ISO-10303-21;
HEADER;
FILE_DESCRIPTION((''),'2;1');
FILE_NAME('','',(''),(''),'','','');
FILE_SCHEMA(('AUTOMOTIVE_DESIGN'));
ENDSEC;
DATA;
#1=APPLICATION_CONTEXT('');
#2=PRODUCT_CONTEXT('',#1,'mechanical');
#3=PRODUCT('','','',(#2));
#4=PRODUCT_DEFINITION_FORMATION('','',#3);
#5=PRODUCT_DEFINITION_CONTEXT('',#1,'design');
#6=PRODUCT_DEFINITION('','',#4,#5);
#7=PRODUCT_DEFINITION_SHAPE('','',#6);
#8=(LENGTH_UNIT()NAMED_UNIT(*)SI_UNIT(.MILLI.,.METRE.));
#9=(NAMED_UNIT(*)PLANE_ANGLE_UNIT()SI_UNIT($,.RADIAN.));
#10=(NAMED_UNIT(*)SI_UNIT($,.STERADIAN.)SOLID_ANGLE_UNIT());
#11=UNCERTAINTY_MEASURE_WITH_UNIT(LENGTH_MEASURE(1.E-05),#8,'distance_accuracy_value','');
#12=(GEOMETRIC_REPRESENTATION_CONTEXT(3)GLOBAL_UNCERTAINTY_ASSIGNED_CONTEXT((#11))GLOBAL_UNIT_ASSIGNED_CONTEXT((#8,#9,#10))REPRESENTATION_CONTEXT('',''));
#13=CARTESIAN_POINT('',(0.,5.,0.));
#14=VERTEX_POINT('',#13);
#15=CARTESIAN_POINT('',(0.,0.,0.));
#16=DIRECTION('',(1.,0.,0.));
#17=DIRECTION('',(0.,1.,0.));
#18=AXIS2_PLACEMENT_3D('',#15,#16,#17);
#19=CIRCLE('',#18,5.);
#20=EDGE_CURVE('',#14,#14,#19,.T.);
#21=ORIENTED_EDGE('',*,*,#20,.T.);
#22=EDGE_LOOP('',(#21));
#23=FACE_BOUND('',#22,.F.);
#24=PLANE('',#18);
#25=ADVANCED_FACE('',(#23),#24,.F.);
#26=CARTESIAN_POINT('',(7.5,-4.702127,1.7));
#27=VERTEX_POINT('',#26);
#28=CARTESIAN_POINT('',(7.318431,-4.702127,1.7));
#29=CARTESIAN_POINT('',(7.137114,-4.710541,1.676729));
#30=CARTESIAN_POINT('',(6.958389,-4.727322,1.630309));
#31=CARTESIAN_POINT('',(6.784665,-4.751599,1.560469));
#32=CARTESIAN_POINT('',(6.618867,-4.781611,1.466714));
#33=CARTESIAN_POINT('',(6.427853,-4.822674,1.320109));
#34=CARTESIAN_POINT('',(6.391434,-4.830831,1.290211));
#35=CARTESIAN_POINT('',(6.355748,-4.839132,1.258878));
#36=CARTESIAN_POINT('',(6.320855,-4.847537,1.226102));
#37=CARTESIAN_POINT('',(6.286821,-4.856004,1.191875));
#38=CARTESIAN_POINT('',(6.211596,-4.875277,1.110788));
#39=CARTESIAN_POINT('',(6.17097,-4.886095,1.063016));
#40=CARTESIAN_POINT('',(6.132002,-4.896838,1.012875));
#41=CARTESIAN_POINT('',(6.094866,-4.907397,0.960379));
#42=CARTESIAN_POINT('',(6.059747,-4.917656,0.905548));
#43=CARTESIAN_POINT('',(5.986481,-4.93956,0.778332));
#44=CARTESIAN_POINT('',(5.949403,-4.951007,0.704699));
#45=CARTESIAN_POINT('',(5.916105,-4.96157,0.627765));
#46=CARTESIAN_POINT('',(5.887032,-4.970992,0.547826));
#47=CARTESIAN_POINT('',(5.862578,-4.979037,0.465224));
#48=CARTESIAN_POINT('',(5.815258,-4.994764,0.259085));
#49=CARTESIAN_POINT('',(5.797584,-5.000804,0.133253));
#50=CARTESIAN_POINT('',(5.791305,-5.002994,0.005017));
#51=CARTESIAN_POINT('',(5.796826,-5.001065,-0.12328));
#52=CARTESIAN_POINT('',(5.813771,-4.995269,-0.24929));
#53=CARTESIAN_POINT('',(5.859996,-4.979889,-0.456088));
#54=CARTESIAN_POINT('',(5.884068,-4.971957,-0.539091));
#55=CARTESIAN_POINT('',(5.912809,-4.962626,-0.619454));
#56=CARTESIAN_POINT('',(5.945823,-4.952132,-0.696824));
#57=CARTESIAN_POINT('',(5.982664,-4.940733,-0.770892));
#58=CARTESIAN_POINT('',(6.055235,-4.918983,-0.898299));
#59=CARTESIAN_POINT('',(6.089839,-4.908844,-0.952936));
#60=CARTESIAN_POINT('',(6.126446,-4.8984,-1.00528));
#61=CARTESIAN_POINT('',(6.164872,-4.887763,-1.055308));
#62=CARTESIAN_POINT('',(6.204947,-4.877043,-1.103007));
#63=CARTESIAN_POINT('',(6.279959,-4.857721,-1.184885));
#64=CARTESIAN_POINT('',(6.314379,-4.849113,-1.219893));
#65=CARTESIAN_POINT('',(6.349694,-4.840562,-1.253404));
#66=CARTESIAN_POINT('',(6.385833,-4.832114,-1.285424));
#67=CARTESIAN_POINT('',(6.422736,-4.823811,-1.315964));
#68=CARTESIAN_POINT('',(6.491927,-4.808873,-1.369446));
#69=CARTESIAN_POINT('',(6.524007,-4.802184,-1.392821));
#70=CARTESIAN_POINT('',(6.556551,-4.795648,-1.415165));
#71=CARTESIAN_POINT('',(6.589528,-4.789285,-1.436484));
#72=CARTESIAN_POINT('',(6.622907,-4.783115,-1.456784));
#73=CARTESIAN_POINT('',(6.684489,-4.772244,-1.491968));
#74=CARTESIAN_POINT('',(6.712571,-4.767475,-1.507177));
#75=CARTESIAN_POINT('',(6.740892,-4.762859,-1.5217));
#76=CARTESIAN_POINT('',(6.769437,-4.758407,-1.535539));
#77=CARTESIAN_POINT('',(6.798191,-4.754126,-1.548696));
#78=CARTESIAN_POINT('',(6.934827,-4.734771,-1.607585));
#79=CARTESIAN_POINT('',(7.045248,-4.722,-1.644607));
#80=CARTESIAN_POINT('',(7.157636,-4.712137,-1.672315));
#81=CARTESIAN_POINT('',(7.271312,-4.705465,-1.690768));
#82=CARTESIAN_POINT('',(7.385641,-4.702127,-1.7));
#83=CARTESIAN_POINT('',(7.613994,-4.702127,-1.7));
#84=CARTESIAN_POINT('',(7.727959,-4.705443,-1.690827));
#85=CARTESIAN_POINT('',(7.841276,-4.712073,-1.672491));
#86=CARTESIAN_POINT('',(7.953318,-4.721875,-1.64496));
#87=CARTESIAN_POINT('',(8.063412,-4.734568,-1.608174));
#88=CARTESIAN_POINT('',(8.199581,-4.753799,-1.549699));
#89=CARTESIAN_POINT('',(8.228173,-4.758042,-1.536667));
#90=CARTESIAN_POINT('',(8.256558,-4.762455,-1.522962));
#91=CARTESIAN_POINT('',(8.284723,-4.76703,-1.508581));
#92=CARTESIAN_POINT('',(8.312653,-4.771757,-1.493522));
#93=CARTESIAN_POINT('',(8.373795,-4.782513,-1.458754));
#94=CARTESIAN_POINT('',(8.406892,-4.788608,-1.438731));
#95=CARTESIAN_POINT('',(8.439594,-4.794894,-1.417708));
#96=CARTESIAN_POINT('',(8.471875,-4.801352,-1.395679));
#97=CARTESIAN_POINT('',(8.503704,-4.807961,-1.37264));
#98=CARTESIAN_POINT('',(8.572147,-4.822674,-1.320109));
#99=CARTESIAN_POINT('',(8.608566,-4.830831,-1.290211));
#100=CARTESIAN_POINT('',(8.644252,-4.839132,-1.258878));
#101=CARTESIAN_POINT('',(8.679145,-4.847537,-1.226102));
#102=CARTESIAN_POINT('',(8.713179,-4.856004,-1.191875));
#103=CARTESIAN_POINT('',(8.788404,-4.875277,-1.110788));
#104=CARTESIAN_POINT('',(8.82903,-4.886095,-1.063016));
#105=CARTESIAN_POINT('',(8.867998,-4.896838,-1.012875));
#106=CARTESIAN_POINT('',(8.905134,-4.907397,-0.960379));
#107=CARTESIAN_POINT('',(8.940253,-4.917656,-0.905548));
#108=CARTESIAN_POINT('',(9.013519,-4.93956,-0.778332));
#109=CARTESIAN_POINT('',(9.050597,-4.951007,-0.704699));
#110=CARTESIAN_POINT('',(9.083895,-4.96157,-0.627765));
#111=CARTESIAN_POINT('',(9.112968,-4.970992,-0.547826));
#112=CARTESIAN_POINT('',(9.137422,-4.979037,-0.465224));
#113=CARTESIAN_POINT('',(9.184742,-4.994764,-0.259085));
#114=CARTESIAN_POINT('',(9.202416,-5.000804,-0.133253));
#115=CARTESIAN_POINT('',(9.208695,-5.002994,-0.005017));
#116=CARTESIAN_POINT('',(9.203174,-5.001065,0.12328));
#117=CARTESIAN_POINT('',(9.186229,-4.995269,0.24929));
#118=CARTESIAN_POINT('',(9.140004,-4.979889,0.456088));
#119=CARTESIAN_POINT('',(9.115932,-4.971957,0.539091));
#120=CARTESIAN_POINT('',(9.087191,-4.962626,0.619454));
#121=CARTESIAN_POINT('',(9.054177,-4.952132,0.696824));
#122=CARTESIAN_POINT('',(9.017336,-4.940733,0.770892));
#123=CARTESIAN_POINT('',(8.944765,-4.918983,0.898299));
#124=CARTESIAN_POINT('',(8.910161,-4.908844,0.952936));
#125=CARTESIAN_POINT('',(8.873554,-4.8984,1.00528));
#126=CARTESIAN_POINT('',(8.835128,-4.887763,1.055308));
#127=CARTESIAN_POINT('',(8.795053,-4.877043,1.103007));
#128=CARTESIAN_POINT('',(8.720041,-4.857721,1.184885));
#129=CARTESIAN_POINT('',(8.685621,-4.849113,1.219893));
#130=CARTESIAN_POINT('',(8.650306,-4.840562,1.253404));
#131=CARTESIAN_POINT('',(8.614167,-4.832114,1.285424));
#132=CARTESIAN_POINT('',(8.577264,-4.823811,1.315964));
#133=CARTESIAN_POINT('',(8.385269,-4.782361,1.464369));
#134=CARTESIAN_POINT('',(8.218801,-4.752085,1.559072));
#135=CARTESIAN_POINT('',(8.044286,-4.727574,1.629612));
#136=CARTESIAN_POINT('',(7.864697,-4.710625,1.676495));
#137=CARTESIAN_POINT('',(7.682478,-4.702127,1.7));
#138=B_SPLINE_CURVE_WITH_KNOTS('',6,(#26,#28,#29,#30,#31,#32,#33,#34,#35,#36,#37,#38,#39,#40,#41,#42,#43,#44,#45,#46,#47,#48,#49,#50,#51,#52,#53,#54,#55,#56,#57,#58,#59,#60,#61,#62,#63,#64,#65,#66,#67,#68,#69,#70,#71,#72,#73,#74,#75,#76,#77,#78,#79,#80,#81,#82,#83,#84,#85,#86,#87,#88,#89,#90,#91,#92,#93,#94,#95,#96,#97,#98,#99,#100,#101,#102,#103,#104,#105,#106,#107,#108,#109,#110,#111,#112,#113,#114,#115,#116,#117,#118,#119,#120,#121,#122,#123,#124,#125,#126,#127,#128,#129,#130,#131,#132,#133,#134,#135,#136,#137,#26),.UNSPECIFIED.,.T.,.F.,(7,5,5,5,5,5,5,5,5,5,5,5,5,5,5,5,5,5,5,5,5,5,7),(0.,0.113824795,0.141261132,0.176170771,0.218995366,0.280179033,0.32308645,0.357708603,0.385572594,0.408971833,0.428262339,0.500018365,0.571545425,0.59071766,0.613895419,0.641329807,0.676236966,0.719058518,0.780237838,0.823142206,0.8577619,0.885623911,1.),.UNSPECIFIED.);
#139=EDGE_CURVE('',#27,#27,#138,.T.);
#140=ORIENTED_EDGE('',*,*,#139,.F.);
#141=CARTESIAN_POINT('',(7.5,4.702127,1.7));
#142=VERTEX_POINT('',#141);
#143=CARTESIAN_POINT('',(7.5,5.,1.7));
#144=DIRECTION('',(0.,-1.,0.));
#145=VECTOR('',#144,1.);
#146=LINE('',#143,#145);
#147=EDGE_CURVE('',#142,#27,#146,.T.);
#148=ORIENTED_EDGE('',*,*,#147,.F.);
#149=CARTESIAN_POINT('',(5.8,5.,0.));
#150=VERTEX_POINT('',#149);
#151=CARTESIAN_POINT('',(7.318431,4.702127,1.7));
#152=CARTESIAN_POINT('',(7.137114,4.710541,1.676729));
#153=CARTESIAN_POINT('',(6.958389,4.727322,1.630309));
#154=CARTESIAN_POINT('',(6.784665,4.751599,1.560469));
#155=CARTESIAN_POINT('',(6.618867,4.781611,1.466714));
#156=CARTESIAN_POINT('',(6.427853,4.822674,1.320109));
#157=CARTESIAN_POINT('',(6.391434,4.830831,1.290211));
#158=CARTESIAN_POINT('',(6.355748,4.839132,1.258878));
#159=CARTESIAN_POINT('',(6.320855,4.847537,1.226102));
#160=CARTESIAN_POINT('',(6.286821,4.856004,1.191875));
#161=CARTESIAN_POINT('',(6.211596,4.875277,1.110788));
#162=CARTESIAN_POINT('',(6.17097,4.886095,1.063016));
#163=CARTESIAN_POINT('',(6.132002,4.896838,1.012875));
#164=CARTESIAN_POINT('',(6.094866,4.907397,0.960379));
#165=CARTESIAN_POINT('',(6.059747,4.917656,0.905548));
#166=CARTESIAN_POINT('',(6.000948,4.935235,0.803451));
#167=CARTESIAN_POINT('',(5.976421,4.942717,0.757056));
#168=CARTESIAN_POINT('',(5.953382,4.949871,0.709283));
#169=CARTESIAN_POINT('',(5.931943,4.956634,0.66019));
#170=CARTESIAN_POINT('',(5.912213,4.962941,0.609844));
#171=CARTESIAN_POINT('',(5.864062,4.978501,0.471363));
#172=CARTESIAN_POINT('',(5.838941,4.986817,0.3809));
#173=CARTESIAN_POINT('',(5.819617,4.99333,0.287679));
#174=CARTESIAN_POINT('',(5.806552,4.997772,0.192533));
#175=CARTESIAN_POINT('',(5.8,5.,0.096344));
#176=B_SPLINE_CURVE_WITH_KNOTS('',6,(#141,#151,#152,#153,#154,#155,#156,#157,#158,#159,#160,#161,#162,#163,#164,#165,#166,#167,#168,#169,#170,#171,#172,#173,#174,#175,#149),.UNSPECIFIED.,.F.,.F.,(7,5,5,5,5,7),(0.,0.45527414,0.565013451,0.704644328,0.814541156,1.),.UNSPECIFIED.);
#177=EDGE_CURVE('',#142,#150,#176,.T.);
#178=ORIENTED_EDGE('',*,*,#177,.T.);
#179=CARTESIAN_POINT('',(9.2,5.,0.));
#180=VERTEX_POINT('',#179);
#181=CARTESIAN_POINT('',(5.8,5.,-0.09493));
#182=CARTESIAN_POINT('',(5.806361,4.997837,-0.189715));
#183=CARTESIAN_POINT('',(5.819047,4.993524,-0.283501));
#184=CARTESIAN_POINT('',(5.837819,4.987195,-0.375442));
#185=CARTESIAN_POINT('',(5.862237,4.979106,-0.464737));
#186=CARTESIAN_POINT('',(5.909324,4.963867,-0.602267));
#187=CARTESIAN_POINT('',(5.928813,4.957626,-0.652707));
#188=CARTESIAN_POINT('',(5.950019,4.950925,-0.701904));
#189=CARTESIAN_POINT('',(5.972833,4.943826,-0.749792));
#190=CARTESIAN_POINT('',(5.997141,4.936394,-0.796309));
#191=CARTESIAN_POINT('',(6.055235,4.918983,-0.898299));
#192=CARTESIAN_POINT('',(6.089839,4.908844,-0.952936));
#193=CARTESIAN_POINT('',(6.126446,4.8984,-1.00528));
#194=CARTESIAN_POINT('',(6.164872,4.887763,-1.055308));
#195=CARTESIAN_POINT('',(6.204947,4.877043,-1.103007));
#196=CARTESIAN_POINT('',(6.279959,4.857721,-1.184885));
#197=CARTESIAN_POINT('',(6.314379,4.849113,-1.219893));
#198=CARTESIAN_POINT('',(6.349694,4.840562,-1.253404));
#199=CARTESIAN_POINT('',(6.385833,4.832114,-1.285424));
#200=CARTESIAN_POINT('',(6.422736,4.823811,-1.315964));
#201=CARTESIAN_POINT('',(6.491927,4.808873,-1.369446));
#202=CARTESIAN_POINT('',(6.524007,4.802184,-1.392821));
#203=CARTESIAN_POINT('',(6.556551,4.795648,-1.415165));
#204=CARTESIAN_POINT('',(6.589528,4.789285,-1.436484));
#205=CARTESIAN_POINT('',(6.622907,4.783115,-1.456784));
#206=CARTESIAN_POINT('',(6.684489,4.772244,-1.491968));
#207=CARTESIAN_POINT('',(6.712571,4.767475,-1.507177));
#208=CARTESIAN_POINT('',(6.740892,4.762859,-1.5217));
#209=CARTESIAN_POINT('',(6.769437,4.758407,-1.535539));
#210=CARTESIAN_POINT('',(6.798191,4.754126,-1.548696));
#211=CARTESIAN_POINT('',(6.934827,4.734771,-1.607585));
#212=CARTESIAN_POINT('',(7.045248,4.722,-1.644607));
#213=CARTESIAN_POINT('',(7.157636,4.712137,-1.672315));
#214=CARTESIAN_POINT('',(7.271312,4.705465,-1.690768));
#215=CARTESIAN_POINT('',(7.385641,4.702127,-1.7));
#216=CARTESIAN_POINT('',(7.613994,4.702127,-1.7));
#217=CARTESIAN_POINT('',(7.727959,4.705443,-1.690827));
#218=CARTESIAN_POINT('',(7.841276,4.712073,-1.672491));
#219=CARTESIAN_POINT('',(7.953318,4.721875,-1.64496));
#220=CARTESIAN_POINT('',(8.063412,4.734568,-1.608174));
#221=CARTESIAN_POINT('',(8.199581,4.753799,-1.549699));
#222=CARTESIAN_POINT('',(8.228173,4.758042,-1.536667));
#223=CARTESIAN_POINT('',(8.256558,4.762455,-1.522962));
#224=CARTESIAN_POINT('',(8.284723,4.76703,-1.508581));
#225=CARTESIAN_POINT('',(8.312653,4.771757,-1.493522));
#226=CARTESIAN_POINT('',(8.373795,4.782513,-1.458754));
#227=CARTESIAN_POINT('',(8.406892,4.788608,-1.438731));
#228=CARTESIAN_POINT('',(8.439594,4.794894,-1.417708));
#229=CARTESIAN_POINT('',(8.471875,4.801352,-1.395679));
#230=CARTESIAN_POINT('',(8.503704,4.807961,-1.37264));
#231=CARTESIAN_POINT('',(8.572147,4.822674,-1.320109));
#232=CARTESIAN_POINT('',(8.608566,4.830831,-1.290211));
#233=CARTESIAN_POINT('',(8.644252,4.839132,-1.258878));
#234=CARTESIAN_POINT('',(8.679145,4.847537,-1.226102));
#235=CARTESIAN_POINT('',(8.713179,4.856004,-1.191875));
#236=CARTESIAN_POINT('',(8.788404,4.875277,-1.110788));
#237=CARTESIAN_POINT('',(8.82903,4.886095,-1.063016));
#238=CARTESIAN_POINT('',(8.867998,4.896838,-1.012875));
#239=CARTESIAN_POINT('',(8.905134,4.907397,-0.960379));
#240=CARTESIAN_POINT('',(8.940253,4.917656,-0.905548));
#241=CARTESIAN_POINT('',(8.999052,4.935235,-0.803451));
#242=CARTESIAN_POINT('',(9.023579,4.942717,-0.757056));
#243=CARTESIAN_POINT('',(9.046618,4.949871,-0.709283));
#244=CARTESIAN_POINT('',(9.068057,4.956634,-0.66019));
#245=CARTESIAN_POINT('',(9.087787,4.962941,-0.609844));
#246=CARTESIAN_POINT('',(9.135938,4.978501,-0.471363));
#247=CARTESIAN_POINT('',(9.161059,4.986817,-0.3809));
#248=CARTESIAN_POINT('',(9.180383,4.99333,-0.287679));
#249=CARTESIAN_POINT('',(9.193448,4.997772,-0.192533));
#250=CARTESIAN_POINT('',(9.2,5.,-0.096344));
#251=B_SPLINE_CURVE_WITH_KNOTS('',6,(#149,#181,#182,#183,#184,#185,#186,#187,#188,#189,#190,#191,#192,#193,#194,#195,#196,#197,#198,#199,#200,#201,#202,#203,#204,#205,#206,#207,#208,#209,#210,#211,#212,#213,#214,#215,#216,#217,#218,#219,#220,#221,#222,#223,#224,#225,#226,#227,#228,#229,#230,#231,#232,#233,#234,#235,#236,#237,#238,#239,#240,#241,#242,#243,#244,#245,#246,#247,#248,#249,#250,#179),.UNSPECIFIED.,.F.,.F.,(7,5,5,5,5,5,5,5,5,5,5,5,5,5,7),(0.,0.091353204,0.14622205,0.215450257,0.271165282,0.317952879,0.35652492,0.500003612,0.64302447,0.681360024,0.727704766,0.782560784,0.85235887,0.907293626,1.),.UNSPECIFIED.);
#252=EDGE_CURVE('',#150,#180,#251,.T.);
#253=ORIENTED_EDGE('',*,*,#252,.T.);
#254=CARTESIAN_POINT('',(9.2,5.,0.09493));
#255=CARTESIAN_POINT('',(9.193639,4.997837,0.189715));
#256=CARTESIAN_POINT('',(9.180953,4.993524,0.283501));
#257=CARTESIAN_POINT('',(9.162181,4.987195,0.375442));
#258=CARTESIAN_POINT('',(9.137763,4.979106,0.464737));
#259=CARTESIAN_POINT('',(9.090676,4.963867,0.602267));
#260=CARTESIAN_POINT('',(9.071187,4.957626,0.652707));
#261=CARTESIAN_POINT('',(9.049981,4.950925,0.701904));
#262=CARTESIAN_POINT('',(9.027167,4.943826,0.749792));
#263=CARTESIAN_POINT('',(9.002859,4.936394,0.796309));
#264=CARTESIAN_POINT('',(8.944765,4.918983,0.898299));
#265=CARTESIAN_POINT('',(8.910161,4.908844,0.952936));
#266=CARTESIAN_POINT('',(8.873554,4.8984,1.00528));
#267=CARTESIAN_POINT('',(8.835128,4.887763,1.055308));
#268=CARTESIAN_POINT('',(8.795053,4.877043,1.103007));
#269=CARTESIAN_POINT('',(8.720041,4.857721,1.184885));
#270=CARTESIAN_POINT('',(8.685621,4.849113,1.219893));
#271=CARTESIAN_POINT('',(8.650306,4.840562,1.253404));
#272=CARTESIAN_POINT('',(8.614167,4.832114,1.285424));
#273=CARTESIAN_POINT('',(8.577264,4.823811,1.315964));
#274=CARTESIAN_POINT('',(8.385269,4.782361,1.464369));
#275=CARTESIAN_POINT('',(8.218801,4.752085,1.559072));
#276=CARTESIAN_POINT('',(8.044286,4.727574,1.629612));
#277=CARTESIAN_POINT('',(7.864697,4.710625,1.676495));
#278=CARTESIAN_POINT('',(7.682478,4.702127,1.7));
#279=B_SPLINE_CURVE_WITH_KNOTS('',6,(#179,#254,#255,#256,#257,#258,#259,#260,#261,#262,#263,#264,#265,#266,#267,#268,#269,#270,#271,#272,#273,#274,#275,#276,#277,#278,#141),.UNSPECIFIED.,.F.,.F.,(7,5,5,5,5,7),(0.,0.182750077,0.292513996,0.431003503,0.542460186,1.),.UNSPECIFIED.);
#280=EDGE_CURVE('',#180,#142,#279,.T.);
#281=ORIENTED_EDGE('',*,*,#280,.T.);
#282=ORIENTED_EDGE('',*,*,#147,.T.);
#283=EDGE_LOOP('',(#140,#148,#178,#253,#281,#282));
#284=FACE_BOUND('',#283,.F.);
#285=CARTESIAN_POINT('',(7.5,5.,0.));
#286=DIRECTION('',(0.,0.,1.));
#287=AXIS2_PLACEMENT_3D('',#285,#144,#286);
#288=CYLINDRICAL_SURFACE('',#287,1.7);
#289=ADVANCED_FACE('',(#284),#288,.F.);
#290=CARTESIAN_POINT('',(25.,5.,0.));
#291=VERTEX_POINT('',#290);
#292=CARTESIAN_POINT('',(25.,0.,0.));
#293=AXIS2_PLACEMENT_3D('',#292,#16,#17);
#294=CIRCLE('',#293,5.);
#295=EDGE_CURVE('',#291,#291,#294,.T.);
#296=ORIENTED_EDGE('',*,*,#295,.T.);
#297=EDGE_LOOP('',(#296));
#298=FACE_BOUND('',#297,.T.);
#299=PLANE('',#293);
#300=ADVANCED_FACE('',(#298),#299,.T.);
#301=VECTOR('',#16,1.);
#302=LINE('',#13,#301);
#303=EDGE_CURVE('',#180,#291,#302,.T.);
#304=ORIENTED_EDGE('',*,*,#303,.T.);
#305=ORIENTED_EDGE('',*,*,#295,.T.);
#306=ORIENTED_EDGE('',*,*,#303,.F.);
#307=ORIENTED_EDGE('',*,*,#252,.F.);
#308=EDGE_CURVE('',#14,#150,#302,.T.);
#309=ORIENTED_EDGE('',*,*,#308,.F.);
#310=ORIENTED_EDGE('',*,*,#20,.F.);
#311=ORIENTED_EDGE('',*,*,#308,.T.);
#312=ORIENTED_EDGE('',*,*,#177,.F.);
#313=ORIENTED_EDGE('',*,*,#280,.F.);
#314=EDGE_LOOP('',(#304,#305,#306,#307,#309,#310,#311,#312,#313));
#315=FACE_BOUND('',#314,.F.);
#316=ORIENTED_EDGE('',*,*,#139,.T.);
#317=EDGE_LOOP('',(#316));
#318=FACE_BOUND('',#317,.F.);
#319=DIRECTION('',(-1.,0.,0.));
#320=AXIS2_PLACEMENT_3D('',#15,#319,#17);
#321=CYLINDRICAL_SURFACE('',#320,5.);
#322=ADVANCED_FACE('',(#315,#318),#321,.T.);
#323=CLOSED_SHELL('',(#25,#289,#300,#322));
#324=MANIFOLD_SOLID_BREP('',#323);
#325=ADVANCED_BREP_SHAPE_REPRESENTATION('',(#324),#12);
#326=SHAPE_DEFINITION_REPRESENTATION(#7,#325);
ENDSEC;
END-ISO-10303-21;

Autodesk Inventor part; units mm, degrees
ref_plane "YZ Plane" through (0, 0, 0) normal (1, 0, 0) x (0, 1, 0)
ref_plane "XY Plane" through (0, 0, 0) normal (0, 0, 1) x (1, 0, 0)
sketch "スケッチ1" plane through (0, 0, 0) normal (1, 0, 0) x (0, 1, 0)
  circle A0 centre (0, 0) radius 5
  dimension "d0" = 10
extrude "押し出し1" add sketch "スケッチ1" along normal blind 25
ref_plane "作業平面1" through (0, 5, 0) normal (0, 1, 0) x (-1, 0, 0)
sketch "スケッチ2" plane through (0, 5, 0) normal (0, 1, 0) x (-1, 0, 0)
  line L0 (0, 5) -> (0, -5) projected
  point P0 (0, 0)
  point P1 (-7.5, 0)
  dimension "d3" = 7.5
hole "穴1" at (7.5, 5, 0) direction (0, -1, 0) diameter 3.4 end through all
properties part number "roller-hand-v1-Shaft-r" material "アルミニウム 6061"
